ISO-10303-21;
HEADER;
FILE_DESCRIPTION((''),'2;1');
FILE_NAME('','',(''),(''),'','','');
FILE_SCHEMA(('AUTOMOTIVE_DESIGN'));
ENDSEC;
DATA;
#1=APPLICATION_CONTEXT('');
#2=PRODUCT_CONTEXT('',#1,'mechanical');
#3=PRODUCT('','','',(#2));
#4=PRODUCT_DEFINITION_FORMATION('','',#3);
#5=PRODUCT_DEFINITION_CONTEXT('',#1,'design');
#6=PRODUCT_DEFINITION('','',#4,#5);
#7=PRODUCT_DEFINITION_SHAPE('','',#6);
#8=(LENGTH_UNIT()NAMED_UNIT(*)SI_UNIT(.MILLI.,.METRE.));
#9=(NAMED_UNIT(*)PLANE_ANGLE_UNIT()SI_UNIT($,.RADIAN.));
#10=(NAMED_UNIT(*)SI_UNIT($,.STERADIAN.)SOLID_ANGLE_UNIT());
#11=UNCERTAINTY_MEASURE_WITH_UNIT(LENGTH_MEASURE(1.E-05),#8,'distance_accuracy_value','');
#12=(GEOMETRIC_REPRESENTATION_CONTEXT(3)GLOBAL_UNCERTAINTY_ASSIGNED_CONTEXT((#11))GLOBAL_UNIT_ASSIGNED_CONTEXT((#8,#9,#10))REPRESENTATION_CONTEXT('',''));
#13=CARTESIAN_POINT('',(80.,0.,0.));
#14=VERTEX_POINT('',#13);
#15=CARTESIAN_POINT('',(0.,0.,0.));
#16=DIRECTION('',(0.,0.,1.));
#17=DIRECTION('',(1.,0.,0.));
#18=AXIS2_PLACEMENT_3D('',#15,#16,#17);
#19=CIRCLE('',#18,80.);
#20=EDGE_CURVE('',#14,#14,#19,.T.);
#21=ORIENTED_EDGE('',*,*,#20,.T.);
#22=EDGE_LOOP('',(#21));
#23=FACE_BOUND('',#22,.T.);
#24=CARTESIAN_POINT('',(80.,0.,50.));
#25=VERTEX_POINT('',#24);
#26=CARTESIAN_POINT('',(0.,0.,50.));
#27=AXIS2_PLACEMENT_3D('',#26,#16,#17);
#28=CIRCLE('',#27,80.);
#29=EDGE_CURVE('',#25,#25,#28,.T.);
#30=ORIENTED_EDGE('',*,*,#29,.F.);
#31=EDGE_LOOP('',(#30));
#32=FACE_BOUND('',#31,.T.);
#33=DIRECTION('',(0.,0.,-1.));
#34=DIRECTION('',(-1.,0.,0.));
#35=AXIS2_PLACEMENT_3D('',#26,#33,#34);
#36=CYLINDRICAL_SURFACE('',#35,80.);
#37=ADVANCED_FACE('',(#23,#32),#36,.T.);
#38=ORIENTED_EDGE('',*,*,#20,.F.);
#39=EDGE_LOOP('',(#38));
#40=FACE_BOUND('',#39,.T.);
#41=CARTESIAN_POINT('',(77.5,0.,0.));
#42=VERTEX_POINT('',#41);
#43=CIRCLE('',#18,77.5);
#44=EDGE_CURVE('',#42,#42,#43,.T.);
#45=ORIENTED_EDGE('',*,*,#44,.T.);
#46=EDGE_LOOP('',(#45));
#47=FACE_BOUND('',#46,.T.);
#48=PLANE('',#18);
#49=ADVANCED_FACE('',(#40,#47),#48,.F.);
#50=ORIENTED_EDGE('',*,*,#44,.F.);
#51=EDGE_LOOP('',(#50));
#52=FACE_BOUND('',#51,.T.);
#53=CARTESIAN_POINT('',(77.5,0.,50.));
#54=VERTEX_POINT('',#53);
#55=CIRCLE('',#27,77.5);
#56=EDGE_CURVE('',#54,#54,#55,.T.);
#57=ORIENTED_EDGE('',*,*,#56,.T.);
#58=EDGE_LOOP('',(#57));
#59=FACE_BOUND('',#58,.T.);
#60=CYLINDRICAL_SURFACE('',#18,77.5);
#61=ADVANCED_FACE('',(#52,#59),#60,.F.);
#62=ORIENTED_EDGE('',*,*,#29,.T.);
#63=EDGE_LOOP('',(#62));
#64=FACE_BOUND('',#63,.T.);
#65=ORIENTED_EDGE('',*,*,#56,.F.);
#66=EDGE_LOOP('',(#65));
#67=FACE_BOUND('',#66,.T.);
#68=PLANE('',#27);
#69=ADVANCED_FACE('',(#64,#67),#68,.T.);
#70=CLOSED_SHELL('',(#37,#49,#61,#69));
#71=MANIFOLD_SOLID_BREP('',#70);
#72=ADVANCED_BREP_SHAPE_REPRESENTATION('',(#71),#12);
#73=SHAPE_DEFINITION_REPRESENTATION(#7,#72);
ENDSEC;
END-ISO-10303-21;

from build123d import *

# Parameters (mm, degrees)
ESQUISSE1_R             = 80
BOSS_EXTRU_1_DEPTH      = 50
ESQUISSE2_R             = 77.5
ENL_V_MAT_EXTRU_1_DEPTH = 50


with BuildPart() as part:
    # Esquisse1 → Boss.-Extru.1 (new body)
    with BuildSketch(Plane.XY):
        Circle(ESQUISSE1_R)
    extrude(amount=BOSS_EXTRU_1_DEPTH)

    # Esquisse2 → Enlèv. mat.-Extru.1 (cut)
    with BuildSketch(Plane.XY.offset(50)):
        Circle(ESQUISSE2_R)
    extrude(amount=-ENL_V_MAT_EXTRU_1_DEPTH, mode=Mode.SUBTRACT)


solid = part.part
